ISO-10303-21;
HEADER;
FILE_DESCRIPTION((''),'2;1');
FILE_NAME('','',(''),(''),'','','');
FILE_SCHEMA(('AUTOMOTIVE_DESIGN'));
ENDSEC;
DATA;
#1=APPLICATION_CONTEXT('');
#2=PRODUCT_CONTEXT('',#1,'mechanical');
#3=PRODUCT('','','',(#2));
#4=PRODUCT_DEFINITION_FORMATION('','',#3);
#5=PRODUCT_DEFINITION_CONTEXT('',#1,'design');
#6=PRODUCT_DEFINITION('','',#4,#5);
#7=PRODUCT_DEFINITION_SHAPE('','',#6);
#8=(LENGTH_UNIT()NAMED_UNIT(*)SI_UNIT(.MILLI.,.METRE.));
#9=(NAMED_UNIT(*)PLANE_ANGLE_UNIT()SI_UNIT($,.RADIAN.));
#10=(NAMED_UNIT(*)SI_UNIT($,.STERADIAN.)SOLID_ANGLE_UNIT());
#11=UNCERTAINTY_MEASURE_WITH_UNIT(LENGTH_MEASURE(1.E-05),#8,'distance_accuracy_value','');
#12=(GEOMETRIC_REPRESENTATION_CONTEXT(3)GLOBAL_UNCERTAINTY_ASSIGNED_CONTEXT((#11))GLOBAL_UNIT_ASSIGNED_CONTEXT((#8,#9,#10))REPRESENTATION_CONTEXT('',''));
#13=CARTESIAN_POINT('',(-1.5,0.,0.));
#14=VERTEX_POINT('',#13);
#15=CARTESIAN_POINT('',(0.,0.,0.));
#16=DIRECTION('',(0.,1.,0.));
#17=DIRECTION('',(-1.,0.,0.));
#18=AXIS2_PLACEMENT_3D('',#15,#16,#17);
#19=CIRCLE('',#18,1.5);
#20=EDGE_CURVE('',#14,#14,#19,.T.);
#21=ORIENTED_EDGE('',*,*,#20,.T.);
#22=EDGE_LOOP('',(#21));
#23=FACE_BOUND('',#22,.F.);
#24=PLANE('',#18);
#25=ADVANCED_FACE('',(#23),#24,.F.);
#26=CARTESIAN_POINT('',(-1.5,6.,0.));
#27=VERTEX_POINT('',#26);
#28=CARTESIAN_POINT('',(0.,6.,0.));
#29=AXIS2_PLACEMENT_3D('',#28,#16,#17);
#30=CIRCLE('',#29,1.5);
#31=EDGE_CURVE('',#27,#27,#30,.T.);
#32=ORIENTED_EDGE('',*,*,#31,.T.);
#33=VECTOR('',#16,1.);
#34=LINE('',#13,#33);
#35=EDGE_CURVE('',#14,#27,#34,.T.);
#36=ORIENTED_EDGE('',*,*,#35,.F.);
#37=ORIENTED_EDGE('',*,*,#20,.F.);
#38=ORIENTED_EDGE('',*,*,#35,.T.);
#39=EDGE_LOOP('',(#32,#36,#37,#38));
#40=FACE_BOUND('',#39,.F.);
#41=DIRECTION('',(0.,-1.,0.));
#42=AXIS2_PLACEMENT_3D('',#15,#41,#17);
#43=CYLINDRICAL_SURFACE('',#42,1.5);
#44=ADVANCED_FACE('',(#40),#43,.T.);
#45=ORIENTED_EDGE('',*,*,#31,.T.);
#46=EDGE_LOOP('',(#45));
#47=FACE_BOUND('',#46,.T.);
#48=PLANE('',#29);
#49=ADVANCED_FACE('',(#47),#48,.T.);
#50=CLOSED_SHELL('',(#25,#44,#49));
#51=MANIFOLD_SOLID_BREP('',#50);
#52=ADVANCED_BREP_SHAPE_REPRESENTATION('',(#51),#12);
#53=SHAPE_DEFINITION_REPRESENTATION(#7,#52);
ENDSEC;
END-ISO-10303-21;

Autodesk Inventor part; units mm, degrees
ref_plane "YZ Plane" through (0, 0, 0) normal (1, 0, 0) x (0, 1, 0)
ref_plane "XZ Plane" through (0, 0, 0) normal (0, 1, 0) x (-1, 0, 0)
ref_plane "XY Plane" through (0, 0, 0) normal (0, 0, 1) x (1, 0, 0)
sketch "Sketch1" plane through (0, 0, 0) normal (0, 1, 0) x (-1, 0, 0)
  circle A0 centre (0, 0) radius 1.5
  dimension "d0" = 3
extrude "Extrusion1" add sketch "Sketch1" along normal blind 6
properties part number "screw"
